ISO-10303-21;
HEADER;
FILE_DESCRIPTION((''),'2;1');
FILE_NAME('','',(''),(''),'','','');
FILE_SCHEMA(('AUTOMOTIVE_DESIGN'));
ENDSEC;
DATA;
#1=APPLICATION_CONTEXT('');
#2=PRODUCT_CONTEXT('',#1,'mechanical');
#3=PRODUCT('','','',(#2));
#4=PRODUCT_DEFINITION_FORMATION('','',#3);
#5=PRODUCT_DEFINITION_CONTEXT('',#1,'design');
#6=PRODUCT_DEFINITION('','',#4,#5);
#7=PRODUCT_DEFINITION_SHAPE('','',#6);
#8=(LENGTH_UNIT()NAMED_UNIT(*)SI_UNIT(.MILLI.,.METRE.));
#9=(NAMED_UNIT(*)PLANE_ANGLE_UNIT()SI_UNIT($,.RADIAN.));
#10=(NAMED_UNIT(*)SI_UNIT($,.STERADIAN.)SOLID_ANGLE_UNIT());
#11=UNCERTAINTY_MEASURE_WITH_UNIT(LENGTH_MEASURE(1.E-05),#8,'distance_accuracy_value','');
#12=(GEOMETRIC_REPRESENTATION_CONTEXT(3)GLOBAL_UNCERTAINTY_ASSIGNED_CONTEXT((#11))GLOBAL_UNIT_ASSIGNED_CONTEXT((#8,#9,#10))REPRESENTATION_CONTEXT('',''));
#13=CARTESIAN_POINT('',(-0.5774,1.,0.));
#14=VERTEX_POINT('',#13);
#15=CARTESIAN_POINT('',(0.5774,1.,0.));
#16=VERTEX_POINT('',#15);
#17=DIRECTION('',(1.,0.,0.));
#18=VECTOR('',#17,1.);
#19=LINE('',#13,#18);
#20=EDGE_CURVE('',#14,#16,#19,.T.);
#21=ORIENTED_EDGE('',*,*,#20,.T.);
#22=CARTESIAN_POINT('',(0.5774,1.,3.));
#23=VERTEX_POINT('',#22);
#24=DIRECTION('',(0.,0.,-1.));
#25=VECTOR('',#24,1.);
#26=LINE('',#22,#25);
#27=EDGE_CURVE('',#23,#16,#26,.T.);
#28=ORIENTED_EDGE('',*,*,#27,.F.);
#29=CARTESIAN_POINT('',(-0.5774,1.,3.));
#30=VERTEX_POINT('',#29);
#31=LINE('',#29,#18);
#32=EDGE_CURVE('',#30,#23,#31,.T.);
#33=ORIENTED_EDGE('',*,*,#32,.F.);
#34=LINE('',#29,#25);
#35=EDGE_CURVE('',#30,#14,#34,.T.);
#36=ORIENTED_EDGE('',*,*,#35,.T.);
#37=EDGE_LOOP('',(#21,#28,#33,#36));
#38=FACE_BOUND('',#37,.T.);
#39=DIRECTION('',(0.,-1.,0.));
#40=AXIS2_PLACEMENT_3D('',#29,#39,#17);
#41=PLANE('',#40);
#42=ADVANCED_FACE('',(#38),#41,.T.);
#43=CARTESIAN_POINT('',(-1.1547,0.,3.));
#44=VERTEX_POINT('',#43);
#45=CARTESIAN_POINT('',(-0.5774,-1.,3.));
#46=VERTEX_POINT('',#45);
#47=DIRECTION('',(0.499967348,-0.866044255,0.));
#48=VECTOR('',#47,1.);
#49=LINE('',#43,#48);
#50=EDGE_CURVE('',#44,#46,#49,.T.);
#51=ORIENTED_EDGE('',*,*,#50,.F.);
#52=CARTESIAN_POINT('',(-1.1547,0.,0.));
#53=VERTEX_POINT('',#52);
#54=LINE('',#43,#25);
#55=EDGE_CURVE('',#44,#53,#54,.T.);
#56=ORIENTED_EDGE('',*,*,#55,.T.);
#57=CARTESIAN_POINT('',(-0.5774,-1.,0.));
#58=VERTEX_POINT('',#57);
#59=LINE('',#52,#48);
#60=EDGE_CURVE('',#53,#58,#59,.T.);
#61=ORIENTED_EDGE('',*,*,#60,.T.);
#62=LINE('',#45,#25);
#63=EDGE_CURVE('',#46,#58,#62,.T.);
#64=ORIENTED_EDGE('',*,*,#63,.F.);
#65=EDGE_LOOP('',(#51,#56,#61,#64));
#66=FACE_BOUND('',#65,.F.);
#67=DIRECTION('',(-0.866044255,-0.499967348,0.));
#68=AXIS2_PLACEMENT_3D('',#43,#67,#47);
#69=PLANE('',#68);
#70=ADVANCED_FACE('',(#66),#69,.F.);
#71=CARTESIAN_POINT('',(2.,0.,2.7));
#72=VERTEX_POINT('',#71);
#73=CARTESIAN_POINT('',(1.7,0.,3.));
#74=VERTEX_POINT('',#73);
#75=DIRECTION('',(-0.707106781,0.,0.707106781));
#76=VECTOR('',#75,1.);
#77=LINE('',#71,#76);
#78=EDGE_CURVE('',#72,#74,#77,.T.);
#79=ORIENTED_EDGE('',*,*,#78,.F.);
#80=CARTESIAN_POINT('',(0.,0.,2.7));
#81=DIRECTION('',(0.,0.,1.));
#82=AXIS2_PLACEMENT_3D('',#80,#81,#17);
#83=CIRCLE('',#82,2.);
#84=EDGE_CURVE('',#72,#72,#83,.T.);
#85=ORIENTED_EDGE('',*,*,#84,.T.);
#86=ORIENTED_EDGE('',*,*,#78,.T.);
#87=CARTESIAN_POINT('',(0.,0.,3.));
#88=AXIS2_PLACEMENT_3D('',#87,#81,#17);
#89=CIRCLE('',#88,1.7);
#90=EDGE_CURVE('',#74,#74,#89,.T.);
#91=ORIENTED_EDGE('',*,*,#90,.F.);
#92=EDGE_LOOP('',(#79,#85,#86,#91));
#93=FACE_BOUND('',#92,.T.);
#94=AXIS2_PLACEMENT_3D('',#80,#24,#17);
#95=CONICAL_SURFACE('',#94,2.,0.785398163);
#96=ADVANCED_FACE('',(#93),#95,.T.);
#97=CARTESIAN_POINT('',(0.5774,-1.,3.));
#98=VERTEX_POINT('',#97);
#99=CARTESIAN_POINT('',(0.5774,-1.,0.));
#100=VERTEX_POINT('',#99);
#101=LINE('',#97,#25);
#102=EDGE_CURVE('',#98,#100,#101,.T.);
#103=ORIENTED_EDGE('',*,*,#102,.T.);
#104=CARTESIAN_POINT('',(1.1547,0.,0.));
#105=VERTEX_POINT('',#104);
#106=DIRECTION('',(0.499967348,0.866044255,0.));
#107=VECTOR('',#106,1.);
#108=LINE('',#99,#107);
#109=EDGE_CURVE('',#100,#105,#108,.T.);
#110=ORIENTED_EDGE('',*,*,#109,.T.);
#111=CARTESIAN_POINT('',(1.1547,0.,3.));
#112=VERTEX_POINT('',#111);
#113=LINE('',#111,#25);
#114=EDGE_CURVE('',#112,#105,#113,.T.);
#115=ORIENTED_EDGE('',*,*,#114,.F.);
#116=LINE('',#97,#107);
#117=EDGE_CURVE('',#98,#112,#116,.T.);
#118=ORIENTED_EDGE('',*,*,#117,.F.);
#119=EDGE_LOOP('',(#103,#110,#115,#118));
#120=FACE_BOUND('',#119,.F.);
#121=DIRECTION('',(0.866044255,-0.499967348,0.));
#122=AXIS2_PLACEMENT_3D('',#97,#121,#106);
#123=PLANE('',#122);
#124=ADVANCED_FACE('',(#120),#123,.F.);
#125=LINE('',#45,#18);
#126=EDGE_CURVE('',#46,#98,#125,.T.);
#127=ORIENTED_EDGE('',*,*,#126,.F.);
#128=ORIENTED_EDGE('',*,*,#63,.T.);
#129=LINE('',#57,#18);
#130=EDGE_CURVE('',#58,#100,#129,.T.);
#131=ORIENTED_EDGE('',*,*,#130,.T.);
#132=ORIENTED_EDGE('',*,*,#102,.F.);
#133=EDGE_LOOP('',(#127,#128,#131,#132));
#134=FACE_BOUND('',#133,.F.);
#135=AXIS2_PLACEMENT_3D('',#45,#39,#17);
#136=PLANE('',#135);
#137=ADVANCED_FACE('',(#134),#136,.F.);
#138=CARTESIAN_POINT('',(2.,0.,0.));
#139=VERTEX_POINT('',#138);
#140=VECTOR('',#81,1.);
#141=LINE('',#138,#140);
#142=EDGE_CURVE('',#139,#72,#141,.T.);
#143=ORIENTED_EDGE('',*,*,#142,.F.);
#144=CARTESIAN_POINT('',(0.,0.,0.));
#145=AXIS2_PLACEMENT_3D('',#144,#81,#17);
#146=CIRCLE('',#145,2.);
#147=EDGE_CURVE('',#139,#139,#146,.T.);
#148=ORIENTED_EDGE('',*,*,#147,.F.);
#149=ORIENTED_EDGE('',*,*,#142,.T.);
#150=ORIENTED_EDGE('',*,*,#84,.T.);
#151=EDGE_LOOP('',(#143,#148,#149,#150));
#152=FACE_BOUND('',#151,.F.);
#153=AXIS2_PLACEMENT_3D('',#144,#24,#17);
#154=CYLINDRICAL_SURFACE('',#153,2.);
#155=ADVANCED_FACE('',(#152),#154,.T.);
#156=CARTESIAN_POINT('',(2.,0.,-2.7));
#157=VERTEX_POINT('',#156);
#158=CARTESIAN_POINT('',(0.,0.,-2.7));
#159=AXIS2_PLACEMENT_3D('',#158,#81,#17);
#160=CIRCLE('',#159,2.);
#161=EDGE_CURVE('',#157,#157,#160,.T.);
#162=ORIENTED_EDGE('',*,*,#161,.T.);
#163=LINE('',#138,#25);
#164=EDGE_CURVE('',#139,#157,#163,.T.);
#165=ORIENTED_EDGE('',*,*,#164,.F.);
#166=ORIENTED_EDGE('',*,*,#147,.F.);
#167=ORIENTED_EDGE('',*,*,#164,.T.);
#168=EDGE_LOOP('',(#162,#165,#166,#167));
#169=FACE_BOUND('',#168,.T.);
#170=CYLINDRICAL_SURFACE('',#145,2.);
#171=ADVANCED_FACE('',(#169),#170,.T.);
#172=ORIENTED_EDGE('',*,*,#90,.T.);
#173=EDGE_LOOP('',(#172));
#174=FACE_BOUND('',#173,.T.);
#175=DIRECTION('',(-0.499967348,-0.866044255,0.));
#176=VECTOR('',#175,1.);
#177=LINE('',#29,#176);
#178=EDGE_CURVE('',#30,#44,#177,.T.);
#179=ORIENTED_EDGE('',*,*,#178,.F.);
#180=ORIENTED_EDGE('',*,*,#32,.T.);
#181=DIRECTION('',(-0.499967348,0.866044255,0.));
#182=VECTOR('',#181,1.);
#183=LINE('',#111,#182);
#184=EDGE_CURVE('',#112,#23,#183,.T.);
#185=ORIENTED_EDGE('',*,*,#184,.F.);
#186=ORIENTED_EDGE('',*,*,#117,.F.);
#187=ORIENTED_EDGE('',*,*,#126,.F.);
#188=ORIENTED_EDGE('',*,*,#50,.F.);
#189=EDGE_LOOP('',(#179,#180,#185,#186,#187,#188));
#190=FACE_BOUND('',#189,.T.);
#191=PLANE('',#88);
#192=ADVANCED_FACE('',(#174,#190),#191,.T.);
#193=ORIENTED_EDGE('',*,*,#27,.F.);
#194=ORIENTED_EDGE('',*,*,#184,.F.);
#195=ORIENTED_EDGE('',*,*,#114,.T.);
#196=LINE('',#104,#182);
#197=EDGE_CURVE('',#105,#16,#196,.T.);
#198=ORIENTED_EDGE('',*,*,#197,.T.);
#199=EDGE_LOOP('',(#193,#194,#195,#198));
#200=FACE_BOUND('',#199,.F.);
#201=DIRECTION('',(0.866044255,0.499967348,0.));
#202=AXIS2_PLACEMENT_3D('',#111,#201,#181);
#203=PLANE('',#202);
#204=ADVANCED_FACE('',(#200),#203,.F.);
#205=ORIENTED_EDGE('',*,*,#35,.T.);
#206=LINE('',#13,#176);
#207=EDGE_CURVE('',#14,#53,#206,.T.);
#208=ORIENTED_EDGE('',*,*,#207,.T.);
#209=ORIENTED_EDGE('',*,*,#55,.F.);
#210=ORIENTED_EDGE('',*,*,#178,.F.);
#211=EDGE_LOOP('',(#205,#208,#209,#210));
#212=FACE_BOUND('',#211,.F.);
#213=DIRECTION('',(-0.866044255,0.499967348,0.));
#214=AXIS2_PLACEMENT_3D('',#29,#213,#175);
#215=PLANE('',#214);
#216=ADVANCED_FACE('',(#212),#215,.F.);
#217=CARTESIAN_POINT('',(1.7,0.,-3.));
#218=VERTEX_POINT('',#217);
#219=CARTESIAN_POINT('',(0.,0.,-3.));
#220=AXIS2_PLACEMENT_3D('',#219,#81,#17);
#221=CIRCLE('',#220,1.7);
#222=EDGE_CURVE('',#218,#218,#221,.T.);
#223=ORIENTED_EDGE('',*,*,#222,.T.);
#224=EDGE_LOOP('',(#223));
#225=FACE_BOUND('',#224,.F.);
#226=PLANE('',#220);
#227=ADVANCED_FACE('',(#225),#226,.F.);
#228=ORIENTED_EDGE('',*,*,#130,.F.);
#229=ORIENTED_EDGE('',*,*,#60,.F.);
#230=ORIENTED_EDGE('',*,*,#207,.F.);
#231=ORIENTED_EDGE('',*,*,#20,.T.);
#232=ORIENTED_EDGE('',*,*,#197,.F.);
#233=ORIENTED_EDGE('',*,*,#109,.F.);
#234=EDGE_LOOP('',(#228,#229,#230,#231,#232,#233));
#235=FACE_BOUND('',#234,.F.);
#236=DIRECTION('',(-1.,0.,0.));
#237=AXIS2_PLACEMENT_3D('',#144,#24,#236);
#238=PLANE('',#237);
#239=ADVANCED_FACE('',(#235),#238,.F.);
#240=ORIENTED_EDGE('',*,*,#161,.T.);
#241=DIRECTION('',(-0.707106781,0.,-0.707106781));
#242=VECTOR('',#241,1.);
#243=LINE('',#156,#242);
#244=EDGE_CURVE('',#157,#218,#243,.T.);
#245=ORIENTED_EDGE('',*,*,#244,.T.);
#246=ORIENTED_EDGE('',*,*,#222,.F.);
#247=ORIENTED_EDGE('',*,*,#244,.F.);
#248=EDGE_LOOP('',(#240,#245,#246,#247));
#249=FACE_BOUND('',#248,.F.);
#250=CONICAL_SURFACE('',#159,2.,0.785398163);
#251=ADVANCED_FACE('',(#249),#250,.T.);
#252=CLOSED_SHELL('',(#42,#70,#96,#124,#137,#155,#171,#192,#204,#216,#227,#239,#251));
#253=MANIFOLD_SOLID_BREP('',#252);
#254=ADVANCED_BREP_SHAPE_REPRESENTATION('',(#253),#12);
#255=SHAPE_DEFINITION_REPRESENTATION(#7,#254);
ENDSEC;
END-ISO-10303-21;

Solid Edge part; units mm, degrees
sketch "Sketch1" plane through (0, 0, 0) normal (0, 0, 1) x (1, 0, 0)
  circle A0 centre (0, 0) radius 2
  dimension "D1" = 4
extrude "Protrusion1" add sketch "Sketch1" along normal mid plane 6
chamfer "Chamfer1" distance 0.3 angle 45 2 edges at (-2, 0, -3) (-2, 0, 3)
sketch "Sketch2" plane through (0, 0, 3) normal (0, 0, 1) x (1, 0, 0)
  line L0 (-0.5774, 1) -> (0.5774, 1)
  line L1 (1.1547, 0) -> (0.5774, 1)
  line L2 (0.5774, -1) -> (1.1547, 0)
  line L3 (-0.5774, -1) -> (0.5774, -1)
  line L4 (-1.1547, 0) -> (-0.5774, -1)
  line L5 (-0.5774, 1) -> (-1.1547, 0)
  dimension "D1" = 2
extrude "Cutout1" cut sketch "Sketch2" against normal blind 3
properties part number "185794"
